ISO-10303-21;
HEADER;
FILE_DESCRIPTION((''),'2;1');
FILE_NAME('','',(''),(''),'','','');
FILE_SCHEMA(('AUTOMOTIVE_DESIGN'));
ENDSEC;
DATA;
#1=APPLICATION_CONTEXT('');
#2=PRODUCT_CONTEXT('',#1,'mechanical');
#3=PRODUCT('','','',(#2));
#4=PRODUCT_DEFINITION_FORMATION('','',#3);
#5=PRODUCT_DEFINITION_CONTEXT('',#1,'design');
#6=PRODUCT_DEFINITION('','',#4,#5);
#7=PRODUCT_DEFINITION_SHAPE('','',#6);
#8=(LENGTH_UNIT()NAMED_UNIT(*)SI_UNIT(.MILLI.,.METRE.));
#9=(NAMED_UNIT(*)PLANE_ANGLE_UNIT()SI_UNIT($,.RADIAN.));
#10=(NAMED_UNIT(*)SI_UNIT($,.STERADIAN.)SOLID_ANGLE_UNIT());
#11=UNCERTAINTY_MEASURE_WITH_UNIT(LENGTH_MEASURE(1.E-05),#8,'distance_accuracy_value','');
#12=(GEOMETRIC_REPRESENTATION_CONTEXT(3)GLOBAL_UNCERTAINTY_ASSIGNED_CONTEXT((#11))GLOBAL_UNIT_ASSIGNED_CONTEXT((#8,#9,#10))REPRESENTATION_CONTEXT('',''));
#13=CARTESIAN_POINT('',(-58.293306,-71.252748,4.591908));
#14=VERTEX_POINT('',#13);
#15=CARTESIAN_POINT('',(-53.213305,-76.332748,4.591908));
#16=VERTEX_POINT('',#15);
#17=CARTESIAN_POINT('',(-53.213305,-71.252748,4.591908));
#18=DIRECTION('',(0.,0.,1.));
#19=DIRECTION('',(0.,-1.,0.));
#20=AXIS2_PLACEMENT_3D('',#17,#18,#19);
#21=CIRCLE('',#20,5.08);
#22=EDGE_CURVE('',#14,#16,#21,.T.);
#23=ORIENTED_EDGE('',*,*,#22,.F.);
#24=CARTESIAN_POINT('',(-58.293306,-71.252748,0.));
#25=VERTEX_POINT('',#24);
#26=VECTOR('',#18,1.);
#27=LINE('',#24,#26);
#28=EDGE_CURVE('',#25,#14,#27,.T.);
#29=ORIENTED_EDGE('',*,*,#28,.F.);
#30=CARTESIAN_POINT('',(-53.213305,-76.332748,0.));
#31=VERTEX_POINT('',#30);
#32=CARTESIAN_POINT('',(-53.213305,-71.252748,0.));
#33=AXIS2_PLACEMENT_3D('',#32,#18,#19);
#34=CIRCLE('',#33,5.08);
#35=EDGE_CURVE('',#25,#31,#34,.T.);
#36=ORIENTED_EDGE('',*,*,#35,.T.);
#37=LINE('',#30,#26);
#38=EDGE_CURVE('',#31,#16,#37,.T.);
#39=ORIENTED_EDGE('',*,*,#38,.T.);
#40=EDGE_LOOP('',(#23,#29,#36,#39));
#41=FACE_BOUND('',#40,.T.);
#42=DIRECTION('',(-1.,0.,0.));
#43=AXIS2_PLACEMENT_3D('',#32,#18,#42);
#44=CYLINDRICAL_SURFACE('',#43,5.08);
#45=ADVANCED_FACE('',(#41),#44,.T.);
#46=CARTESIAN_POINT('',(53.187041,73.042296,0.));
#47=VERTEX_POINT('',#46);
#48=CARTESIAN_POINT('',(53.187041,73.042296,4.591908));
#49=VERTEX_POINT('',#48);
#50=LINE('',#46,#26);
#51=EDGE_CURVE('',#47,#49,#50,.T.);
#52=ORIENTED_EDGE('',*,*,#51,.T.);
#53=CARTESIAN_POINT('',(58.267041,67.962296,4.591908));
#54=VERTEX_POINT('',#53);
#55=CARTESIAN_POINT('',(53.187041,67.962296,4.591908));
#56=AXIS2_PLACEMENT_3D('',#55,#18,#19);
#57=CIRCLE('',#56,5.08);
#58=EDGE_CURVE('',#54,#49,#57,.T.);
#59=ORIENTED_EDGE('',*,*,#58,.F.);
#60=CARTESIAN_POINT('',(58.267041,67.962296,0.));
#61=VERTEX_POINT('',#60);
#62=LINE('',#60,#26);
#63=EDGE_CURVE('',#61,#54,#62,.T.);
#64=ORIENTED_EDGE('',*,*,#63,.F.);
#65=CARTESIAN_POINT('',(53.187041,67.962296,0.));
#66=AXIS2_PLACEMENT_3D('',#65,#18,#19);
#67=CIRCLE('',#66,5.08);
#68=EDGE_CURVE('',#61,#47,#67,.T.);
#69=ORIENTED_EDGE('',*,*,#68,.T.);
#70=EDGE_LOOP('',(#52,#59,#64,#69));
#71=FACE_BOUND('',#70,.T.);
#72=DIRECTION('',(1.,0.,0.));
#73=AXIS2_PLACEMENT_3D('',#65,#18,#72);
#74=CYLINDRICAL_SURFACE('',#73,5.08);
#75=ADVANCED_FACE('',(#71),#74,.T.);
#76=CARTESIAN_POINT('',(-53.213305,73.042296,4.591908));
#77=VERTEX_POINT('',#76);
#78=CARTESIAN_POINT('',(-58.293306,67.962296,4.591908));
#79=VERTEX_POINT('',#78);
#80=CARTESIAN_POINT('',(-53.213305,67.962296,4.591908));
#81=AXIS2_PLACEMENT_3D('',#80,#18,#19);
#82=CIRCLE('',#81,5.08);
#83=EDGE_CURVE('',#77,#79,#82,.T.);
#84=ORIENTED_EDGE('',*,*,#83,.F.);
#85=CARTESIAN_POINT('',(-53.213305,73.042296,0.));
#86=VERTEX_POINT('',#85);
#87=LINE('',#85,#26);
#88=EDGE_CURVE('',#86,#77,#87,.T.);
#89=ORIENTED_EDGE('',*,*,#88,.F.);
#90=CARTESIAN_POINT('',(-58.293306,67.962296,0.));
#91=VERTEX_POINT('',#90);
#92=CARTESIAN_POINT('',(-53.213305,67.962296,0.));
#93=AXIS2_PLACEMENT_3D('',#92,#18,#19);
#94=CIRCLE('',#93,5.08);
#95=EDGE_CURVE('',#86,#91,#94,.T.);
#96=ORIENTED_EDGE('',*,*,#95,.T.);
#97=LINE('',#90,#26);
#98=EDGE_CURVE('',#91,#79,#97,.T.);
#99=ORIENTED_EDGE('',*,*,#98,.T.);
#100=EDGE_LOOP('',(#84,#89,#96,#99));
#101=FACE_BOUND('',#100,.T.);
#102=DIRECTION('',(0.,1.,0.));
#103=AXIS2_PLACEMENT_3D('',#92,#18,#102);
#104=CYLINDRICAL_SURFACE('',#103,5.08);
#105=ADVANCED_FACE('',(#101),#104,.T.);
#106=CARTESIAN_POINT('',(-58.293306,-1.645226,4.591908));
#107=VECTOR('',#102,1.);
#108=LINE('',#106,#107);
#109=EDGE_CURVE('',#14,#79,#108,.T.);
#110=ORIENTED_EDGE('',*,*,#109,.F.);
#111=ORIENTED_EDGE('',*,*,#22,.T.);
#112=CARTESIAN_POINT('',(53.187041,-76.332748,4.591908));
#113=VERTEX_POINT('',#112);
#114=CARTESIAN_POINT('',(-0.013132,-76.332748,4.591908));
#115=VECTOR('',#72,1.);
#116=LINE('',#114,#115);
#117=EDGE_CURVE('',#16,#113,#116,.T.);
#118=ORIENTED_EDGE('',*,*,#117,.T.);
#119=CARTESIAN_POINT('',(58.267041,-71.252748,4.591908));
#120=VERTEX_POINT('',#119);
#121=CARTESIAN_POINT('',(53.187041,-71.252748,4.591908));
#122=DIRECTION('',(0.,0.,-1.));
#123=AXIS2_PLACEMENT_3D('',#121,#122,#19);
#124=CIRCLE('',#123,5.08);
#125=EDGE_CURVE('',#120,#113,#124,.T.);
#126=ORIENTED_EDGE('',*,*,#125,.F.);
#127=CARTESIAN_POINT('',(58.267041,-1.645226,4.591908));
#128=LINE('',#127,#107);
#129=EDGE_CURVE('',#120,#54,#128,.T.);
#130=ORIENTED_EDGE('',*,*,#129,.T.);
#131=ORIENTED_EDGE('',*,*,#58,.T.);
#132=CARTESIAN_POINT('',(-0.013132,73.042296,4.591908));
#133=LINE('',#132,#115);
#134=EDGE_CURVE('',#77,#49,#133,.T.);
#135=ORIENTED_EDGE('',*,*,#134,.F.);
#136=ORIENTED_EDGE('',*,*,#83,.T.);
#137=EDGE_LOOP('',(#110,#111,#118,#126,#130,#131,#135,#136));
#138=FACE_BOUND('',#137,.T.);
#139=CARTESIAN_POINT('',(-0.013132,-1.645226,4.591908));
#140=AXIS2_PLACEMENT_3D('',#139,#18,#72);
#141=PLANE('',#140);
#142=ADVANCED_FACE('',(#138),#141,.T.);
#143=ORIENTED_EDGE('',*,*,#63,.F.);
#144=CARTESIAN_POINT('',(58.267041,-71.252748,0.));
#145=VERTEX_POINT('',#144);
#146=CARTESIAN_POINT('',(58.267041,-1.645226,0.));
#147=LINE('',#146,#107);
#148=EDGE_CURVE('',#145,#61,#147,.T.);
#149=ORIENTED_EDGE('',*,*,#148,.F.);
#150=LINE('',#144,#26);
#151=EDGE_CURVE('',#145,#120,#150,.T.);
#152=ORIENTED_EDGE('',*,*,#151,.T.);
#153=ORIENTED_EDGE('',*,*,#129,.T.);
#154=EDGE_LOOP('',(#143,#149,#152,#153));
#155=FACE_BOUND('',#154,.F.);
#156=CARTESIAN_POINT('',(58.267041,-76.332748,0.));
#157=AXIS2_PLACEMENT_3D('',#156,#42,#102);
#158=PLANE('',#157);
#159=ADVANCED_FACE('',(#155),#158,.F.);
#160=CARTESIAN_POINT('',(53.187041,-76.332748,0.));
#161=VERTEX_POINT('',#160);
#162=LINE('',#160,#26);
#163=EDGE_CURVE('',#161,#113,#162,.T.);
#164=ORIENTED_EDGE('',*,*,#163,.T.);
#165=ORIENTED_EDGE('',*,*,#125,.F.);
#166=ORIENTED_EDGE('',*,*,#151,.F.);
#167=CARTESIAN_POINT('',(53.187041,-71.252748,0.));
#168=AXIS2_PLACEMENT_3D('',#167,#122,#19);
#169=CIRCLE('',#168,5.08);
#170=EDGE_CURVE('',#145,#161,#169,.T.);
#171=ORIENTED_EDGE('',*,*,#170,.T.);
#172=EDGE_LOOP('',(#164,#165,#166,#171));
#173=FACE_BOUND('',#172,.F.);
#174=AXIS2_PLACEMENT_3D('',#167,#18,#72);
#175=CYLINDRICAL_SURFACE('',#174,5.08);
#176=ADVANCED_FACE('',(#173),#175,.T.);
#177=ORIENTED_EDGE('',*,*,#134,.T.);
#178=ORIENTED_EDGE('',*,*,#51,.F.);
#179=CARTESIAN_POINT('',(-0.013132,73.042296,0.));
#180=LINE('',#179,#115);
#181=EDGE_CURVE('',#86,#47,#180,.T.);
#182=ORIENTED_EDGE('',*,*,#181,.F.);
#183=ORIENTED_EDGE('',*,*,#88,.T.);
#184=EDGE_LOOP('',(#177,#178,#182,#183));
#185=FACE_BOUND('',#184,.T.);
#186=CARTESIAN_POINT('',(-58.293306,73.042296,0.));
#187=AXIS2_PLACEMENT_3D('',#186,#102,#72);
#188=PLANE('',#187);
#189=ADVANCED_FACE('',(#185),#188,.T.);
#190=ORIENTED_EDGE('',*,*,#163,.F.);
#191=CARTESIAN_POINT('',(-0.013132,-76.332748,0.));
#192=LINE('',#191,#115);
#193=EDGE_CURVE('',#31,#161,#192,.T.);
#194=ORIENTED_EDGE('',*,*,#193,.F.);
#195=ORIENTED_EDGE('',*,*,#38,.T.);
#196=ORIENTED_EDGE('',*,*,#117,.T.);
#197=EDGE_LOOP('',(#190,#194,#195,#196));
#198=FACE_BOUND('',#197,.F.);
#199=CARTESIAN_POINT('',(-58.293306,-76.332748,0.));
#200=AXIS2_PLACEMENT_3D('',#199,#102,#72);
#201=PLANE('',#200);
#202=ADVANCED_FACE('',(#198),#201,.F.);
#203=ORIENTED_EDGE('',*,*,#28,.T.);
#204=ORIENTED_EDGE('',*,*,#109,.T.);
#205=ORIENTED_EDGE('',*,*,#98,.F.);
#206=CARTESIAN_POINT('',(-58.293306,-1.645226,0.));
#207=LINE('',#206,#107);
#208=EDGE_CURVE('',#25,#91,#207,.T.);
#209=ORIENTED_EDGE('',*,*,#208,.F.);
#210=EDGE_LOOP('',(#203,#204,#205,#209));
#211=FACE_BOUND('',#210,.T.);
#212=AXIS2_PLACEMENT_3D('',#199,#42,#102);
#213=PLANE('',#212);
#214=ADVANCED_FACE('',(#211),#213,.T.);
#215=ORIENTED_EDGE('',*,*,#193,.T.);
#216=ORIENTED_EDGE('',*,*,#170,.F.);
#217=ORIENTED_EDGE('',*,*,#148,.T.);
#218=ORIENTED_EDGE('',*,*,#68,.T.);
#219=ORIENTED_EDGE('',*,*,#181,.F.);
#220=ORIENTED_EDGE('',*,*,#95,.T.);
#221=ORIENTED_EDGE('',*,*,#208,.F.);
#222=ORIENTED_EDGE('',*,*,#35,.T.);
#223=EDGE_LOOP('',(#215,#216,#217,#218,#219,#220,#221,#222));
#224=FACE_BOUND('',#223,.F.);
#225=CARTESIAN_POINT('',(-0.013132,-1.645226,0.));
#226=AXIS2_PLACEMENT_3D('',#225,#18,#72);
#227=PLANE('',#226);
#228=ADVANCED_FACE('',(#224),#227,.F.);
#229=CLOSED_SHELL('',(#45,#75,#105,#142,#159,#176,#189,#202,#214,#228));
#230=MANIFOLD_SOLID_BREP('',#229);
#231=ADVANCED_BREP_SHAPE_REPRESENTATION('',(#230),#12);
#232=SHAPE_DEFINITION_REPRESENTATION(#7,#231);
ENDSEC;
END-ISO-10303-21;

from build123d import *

# Parameters (mm, degrees)
F0_W     = 116.560347
F0_H     = 149.375044
F1_DEPTH = 4.591908
F2_R     = 5.08
F3_R     = 5.08
F4_R     = 5.08


with BuildPart() as f1:
    # F0 (on Top) → F1 (new body)
    with BuildSketch(Plane.XY):
        with Locations((-0.013132, -1.645226)):
            Rectangle(F0_W, F0_H)
    extrude(amount=F1_DEPTH)

    # F2
    f2_edges = [f1.edges().sort_by_distance(p)[0] for p in [
        (58.267042, 73.042296, 2.295954),
    ]]
    fillet(f2_edges, radius=F2_R)

    # F3
    f3_edges = [f1.edges().sort_by_distance(p)[0] for p in [
        (-58.293305, 73.042296, 2.295954),
    ]]
    fillet(f3_edges, radius=F3_R)

    # F4
    f4_edges = [f1.edges().sort_by_distance(p)[0] for p in [
        (58.267042, -76.332748, 2.295954),
        (-58.293305, -76.332748, 2.295954),
    ]]
    fillet(f4_edges, radius=F4_R)


solid = f1.part
